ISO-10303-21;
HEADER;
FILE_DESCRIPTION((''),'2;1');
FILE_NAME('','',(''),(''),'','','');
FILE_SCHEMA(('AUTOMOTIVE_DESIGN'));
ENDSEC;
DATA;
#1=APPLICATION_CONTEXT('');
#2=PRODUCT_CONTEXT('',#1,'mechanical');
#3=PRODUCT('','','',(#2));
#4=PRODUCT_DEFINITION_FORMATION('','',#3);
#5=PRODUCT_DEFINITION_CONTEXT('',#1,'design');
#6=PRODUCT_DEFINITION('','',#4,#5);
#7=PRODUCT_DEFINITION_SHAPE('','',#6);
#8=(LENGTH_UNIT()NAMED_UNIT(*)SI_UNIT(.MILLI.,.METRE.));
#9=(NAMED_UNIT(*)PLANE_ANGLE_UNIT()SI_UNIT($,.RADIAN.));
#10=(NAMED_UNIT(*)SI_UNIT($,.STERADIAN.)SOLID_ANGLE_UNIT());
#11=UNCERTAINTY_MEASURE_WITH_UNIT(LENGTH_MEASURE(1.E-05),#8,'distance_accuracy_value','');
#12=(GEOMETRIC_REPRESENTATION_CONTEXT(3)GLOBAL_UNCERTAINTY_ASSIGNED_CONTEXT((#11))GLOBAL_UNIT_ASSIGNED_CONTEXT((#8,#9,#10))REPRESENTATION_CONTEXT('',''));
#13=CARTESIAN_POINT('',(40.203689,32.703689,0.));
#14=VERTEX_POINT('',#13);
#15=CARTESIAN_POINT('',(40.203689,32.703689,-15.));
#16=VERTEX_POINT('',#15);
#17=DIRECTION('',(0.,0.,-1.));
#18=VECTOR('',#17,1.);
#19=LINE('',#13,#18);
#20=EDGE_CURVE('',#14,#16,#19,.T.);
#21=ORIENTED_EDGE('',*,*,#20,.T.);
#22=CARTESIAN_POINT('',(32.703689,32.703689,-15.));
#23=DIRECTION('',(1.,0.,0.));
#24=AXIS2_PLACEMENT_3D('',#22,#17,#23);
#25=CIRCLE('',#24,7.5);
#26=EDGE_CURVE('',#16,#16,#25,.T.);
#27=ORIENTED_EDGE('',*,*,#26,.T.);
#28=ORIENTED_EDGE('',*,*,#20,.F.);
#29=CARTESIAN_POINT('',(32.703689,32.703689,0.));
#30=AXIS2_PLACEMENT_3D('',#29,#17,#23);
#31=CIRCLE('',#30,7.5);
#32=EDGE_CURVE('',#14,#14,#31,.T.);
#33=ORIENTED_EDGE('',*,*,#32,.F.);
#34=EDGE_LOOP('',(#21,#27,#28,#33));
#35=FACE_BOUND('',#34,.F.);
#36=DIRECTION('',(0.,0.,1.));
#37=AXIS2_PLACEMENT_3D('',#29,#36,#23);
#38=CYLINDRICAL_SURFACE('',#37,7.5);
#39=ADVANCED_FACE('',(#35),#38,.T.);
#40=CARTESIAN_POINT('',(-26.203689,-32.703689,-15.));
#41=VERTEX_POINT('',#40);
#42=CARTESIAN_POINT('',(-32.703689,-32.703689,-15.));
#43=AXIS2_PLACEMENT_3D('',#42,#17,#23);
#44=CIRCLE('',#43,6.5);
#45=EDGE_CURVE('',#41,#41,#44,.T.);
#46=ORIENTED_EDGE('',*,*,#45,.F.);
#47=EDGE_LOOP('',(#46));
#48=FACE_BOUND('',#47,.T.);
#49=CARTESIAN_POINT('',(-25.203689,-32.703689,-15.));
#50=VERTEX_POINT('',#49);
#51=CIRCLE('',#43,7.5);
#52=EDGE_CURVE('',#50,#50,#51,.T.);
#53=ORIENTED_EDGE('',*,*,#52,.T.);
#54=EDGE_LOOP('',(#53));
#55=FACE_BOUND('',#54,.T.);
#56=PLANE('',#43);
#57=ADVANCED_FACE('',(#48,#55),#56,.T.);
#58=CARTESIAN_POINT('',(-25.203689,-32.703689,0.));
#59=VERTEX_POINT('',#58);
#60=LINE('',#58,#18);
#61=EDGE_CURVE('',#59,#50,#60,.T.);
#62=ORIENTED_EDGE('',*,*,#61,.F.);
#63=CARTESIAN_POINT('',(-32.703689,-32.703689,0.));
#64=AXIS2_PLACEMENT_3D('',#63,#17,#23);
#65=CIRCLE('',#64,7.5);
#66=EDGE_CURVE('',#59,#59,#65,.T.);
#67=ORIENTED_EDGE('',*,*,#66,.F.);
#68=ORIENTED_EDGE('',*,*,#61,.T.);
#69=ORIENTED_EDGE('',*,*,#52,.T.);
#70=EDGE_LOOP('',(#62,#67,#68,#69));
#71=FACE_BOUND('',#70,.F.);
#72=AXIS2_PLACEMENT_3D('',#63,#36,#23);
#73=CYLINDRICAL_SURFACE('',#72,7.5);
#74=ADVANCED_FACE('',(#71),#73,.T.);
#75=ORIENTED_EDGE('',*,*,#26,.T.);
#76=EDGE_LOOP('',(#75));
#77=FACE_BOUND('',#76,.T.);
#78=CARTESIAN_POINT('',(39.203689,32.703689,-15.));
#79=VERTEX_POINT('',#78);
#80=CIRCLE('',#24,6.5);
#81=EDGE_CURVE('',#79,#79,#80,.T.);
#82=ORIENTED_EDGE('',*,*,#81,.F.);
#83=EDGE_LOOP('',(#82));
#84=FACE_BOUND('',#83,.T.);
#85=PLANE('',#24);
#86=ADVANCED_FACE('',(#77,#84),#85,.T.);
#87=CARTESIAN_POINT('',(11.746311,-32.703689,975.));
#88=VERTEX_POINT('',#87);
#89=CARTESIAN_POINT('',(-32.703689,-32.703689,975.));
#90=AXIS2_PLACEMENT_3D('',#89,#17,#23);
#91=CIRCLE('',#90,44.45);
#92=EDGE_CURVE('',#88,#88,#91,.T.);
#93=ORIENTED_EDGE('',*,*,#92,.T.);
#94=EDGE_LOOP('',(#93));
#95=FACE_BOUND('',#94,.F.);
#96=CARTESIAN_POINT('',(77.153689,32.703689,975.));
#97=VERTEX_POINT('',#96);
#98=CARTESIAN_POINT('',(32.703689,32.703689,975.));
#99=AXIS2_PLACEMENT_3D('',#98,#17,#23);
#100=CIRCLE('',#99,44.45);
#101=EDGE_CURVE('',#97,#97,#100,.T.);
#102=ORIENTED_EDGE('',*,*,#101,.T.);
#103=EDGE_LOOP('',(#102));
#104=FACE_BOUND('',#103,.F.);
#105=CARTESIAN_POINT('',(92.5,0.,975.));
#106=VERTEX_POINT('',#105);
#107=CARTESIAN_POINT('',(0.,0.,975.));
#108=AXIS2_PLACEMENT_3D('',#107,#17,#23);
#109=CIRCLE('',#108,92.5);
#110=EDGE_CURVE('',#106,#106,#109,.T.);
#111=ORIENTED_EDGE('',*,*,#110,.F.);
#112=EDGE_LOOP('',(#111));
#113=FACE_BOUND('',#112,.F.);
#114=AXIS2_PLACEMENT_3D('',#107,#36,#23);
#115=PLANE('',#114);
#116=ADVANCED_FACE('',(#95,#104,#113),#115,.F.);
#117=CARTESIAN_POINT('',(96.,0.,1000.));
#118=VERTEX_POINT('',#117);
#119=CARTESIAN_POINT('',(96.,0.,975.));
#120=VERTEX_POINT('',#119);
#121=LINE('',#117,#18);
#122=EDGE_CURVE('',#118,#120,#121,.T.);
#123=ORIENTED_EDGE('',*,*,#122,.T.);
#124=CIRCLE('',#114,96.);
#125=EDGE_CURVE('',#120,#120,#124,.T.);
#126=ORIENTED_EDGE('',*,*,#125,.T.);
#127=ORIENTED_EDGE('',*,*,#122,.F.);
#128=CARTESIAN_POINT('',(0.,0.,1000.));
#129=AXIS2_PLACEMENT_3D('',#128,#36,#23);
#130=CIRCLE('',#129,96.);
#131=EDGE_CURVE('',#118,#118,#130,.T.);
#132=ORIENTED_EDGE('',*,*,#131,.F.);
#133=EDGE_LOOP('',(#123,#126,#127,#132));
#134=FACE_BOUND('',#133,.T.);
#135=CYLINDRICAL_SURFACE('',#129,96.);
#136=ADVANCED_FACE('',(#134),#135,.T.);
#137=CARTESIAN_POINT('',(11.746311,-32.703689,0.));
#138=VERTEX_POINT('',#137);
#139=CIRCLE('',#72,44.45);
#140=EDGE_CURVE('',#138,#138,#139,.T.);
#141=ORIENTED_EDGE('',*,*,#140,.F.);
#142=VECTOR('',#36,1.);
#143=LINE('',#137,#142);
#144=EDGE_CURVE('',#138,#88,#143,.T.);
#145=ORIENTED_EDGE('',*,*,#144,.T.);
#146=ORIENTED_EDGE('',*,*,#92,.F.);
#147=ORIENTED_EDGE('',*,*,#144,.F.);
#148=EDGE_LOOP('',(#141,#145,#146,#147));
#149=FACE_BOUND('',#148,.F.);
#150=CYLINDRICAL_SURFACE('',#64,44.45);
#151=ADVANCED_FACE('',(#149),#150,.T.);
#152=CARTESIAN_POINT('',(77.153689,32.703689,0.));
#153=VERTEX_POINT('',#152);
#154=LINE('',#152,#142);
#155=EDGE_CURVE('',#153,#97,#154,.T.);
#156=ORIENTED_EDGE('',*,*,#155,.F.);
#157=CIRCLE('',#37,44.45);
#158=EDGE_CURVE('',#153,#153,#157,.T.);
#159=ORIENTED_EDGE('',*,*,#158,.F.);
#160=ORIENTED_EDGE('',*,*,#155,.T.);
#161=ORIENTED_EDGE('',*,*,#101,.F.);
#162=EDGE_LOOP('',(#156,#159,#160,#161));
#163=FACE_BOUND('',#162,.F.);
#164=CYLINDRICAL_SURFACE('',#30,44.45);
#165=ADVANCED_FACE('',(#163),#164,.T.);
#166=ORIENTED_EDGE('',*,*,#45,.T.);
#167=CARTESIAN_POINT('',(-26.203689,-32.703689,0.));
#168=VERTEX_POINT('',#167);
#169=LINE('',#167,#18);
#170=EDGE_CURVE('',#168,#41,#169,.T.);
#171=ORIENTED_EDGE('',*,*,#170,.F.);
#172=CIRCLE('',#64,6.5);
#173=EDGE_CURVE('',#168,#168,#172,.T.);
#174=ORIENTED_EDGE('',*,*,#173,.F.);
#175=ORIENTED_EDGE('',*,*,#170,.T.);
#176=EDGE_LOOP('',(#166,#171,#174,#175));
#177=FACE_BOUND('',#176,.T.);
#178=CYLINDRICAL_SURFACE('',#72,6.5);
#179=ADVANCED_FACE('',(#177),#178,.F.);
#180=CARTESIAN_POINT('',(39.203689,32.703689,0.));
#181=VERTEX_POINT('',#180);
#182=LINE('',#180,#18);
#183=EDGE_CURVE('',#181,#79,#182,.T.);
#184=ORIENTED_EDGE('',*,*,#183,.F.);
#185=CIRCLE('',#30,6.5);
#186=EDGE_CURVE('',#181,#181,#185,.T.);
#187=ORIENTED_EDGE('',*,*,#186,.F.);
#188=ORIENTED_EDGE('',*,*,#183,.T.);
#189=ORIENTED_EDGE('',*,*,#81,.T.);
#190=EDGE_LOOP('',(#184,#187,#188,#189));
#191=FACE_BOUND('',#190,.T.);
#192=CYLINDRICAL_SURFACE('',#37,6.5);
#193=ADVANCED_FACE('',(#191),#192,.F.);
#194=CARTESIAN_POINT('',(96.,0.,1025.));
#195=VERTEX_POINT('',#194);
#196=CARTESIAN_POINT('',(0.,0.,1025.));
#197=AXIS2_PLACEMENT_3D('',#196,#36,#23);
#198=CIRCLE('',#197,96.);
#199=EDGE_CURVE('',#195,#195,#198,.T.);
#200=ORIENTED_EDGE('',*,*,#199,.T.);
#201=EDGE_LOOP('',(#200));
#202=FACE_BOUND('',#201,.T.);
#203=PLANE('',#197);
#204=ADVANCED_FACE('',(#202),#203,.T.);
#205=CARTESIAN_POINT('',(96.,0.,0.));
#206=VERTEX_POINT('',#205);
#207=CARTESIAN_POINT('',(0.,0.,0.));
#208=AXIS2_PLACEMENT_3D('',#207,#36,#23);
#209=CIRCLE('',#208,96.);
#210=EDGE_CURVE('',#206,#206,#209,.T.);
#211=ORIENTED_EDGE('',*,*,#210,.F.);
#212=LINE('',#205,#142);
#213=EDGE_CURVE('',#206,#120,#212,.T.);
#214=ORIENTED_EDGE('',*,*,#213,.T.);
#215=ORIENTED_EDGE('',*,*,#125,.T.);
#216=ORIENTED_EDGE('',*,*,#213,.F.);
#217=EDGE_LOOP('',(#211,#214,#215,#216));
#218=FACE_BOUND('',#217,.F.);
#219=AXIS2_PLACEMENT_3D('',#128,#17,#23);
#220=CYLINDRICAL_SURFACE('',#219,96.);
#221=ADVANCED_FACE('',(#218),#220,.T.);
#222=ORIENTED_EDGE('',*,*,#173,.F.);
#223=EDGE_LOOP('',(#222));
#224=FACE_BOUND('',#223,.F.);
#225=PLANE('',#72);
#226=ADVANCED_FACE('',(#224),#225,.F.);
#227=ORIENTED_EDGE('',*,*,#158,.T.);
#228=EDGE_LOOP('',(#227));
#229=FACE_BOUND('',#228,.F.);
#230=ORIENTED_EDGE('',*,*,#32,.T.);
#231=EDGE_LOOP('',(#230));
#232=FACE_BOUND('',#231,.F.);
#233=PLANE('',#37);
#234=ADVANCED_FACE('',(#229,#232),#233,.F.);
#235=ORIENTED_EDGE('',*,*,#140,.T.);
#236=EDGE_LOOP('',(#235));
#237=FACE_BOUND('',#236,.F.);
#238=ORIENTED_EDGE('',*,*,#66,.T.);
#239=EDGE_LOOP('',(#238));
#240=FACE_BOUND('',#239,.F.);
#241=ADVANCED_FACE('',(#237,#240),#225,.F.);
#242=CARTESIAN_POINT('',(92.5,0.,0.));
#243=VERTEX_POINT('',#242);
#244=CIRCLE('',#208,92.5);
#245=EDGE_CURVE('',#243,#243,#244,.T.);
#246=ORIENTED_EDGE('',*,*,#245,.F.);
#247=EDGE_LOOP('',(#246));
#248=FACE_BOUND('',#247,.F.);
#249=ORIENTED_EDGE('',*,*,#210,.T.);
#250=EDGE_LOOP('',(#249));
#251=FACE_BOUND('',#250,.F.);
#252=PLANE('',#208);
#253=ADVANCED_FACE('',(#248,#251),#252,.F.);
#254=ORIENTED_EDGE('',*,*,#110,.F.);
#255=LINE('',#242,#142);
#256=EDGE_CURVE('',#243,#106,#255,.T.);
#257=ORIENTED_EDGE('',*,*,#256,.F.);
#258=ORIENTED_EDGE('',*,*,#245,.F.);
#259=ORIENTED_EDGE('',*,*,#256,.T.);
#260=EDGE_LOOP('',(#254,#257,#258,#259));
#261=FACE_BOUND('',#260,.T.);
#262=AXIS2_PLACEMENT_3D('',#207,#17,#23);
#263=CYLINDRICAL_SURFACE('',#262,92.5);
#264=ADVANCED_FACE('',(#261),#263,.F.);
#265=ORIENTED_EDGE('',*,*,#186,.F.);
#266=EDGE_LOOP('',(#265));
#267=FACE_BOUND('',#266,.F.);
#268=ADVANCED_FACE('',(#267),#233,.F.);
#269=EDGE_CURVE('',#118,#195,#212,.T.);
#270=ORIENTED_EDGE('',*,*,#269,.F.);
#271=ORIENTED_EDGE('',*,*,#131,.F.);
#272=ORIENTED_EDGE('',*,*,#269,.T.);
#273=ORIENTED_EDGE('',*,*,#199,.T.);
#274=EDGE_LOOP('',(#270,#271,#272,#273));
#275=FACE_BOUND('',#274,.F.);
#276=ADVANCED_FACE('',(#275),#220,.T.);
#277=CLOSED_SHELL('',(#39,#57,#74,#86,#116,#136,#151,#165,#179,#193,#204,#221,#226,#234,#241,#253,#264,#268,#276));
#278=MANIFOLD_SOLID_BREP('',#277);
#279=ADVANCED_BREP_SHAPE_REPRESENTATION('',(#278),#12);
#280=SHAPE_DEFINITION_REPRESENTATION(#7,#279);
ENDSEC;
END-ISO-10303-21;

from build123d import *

# Parameters (mm, degrees)
F0_R          = 44.45
F1_DEPTH      = 1000
F0_R_2        = 96
F0_R_3        = 92.5
F2_R          = 7.5
F2_R_2        = 6.5
F3_DEPTH      = 15
F4_R          = 96
F5_DEPTH      = 25
F5_DEPTH_BACK = 25
F6_R          = 7.5
F6_R_2        = 6.5
F7_DEPTH      = 15


with BuildPart() as f1:
    # F0 (on Top) → F1 (new body)
    with BuildSketch(Plane.XY):
        with Locations((-32.7036886299, -32.7036886299)):
            Circle(F0_R)
    extrude(amount=F1_DEPTH)



with BuildPart() as f1b:
    # F0 (on Top) → F1, piece 2 (new body)
    with BuildSketch(Plane.XY):
        with Locations((32.7036886299, 32.7036886299)):
            Circle(F0_R)
    extrude(amount=F1_DEPTH)

    # F2 (on face) → F3 (join)
    with BuildSketch(Plane(origin=(0, 0, 0), x_dir=(1, 0, 0), z_dir=(0, 0, -1))):
        with Locations((32.7036886299, -32.7036886299)):
            Circle(F2_R)
        with Locations((32.7036886299, -32.7036886299)):
            Circle(F2_R_2, mode=Mode.SUBTRACT)
    extrude(amount=F3_DEPTH)


with BuildPart() as f1c:
    # F0 (on Top) → F1, piece 3 (new body)
    with BuildSketch(Plane.XY):
        Circle(F0_R_2)
        Circle(F0_R_3, mode=Mode.SUBTRACT)
    extrude(amount=F1_DEPTH)


with BuildPart() as f1_1:
    add(f1.part)

    add(f1b.part)  # F5 merges F1b

    add(f1c.part)  # F5 merges F1c
    # F4 (on face) → F5 (join, two sides)
    with BuildSketch(Plane.XY.offset(1000)) as f5_sk:
        Circle(F4_R)
    extrude(amount=F5_DEPTH)
    extrude(f5_sk.sketch, amount=-F5_DEPTH_BACK)

    # F6 (on face) → F7 (join)
    with BuildSketch(Plane(origin=(0, 0, 0), x_dir=(1, 0, 0), z_dir=(0, 0, -1))):
        with Locations((-32.7036886299, 32.7036886299)):
            Circle(F6_R)
        with Locations((-32.7036886299, 32.7036886299)):
            Circle(F6_R_2, mode=Mode.SUBTRACT)
    extrude(amount=F7_DEPTH)


solid = f1_1.part
